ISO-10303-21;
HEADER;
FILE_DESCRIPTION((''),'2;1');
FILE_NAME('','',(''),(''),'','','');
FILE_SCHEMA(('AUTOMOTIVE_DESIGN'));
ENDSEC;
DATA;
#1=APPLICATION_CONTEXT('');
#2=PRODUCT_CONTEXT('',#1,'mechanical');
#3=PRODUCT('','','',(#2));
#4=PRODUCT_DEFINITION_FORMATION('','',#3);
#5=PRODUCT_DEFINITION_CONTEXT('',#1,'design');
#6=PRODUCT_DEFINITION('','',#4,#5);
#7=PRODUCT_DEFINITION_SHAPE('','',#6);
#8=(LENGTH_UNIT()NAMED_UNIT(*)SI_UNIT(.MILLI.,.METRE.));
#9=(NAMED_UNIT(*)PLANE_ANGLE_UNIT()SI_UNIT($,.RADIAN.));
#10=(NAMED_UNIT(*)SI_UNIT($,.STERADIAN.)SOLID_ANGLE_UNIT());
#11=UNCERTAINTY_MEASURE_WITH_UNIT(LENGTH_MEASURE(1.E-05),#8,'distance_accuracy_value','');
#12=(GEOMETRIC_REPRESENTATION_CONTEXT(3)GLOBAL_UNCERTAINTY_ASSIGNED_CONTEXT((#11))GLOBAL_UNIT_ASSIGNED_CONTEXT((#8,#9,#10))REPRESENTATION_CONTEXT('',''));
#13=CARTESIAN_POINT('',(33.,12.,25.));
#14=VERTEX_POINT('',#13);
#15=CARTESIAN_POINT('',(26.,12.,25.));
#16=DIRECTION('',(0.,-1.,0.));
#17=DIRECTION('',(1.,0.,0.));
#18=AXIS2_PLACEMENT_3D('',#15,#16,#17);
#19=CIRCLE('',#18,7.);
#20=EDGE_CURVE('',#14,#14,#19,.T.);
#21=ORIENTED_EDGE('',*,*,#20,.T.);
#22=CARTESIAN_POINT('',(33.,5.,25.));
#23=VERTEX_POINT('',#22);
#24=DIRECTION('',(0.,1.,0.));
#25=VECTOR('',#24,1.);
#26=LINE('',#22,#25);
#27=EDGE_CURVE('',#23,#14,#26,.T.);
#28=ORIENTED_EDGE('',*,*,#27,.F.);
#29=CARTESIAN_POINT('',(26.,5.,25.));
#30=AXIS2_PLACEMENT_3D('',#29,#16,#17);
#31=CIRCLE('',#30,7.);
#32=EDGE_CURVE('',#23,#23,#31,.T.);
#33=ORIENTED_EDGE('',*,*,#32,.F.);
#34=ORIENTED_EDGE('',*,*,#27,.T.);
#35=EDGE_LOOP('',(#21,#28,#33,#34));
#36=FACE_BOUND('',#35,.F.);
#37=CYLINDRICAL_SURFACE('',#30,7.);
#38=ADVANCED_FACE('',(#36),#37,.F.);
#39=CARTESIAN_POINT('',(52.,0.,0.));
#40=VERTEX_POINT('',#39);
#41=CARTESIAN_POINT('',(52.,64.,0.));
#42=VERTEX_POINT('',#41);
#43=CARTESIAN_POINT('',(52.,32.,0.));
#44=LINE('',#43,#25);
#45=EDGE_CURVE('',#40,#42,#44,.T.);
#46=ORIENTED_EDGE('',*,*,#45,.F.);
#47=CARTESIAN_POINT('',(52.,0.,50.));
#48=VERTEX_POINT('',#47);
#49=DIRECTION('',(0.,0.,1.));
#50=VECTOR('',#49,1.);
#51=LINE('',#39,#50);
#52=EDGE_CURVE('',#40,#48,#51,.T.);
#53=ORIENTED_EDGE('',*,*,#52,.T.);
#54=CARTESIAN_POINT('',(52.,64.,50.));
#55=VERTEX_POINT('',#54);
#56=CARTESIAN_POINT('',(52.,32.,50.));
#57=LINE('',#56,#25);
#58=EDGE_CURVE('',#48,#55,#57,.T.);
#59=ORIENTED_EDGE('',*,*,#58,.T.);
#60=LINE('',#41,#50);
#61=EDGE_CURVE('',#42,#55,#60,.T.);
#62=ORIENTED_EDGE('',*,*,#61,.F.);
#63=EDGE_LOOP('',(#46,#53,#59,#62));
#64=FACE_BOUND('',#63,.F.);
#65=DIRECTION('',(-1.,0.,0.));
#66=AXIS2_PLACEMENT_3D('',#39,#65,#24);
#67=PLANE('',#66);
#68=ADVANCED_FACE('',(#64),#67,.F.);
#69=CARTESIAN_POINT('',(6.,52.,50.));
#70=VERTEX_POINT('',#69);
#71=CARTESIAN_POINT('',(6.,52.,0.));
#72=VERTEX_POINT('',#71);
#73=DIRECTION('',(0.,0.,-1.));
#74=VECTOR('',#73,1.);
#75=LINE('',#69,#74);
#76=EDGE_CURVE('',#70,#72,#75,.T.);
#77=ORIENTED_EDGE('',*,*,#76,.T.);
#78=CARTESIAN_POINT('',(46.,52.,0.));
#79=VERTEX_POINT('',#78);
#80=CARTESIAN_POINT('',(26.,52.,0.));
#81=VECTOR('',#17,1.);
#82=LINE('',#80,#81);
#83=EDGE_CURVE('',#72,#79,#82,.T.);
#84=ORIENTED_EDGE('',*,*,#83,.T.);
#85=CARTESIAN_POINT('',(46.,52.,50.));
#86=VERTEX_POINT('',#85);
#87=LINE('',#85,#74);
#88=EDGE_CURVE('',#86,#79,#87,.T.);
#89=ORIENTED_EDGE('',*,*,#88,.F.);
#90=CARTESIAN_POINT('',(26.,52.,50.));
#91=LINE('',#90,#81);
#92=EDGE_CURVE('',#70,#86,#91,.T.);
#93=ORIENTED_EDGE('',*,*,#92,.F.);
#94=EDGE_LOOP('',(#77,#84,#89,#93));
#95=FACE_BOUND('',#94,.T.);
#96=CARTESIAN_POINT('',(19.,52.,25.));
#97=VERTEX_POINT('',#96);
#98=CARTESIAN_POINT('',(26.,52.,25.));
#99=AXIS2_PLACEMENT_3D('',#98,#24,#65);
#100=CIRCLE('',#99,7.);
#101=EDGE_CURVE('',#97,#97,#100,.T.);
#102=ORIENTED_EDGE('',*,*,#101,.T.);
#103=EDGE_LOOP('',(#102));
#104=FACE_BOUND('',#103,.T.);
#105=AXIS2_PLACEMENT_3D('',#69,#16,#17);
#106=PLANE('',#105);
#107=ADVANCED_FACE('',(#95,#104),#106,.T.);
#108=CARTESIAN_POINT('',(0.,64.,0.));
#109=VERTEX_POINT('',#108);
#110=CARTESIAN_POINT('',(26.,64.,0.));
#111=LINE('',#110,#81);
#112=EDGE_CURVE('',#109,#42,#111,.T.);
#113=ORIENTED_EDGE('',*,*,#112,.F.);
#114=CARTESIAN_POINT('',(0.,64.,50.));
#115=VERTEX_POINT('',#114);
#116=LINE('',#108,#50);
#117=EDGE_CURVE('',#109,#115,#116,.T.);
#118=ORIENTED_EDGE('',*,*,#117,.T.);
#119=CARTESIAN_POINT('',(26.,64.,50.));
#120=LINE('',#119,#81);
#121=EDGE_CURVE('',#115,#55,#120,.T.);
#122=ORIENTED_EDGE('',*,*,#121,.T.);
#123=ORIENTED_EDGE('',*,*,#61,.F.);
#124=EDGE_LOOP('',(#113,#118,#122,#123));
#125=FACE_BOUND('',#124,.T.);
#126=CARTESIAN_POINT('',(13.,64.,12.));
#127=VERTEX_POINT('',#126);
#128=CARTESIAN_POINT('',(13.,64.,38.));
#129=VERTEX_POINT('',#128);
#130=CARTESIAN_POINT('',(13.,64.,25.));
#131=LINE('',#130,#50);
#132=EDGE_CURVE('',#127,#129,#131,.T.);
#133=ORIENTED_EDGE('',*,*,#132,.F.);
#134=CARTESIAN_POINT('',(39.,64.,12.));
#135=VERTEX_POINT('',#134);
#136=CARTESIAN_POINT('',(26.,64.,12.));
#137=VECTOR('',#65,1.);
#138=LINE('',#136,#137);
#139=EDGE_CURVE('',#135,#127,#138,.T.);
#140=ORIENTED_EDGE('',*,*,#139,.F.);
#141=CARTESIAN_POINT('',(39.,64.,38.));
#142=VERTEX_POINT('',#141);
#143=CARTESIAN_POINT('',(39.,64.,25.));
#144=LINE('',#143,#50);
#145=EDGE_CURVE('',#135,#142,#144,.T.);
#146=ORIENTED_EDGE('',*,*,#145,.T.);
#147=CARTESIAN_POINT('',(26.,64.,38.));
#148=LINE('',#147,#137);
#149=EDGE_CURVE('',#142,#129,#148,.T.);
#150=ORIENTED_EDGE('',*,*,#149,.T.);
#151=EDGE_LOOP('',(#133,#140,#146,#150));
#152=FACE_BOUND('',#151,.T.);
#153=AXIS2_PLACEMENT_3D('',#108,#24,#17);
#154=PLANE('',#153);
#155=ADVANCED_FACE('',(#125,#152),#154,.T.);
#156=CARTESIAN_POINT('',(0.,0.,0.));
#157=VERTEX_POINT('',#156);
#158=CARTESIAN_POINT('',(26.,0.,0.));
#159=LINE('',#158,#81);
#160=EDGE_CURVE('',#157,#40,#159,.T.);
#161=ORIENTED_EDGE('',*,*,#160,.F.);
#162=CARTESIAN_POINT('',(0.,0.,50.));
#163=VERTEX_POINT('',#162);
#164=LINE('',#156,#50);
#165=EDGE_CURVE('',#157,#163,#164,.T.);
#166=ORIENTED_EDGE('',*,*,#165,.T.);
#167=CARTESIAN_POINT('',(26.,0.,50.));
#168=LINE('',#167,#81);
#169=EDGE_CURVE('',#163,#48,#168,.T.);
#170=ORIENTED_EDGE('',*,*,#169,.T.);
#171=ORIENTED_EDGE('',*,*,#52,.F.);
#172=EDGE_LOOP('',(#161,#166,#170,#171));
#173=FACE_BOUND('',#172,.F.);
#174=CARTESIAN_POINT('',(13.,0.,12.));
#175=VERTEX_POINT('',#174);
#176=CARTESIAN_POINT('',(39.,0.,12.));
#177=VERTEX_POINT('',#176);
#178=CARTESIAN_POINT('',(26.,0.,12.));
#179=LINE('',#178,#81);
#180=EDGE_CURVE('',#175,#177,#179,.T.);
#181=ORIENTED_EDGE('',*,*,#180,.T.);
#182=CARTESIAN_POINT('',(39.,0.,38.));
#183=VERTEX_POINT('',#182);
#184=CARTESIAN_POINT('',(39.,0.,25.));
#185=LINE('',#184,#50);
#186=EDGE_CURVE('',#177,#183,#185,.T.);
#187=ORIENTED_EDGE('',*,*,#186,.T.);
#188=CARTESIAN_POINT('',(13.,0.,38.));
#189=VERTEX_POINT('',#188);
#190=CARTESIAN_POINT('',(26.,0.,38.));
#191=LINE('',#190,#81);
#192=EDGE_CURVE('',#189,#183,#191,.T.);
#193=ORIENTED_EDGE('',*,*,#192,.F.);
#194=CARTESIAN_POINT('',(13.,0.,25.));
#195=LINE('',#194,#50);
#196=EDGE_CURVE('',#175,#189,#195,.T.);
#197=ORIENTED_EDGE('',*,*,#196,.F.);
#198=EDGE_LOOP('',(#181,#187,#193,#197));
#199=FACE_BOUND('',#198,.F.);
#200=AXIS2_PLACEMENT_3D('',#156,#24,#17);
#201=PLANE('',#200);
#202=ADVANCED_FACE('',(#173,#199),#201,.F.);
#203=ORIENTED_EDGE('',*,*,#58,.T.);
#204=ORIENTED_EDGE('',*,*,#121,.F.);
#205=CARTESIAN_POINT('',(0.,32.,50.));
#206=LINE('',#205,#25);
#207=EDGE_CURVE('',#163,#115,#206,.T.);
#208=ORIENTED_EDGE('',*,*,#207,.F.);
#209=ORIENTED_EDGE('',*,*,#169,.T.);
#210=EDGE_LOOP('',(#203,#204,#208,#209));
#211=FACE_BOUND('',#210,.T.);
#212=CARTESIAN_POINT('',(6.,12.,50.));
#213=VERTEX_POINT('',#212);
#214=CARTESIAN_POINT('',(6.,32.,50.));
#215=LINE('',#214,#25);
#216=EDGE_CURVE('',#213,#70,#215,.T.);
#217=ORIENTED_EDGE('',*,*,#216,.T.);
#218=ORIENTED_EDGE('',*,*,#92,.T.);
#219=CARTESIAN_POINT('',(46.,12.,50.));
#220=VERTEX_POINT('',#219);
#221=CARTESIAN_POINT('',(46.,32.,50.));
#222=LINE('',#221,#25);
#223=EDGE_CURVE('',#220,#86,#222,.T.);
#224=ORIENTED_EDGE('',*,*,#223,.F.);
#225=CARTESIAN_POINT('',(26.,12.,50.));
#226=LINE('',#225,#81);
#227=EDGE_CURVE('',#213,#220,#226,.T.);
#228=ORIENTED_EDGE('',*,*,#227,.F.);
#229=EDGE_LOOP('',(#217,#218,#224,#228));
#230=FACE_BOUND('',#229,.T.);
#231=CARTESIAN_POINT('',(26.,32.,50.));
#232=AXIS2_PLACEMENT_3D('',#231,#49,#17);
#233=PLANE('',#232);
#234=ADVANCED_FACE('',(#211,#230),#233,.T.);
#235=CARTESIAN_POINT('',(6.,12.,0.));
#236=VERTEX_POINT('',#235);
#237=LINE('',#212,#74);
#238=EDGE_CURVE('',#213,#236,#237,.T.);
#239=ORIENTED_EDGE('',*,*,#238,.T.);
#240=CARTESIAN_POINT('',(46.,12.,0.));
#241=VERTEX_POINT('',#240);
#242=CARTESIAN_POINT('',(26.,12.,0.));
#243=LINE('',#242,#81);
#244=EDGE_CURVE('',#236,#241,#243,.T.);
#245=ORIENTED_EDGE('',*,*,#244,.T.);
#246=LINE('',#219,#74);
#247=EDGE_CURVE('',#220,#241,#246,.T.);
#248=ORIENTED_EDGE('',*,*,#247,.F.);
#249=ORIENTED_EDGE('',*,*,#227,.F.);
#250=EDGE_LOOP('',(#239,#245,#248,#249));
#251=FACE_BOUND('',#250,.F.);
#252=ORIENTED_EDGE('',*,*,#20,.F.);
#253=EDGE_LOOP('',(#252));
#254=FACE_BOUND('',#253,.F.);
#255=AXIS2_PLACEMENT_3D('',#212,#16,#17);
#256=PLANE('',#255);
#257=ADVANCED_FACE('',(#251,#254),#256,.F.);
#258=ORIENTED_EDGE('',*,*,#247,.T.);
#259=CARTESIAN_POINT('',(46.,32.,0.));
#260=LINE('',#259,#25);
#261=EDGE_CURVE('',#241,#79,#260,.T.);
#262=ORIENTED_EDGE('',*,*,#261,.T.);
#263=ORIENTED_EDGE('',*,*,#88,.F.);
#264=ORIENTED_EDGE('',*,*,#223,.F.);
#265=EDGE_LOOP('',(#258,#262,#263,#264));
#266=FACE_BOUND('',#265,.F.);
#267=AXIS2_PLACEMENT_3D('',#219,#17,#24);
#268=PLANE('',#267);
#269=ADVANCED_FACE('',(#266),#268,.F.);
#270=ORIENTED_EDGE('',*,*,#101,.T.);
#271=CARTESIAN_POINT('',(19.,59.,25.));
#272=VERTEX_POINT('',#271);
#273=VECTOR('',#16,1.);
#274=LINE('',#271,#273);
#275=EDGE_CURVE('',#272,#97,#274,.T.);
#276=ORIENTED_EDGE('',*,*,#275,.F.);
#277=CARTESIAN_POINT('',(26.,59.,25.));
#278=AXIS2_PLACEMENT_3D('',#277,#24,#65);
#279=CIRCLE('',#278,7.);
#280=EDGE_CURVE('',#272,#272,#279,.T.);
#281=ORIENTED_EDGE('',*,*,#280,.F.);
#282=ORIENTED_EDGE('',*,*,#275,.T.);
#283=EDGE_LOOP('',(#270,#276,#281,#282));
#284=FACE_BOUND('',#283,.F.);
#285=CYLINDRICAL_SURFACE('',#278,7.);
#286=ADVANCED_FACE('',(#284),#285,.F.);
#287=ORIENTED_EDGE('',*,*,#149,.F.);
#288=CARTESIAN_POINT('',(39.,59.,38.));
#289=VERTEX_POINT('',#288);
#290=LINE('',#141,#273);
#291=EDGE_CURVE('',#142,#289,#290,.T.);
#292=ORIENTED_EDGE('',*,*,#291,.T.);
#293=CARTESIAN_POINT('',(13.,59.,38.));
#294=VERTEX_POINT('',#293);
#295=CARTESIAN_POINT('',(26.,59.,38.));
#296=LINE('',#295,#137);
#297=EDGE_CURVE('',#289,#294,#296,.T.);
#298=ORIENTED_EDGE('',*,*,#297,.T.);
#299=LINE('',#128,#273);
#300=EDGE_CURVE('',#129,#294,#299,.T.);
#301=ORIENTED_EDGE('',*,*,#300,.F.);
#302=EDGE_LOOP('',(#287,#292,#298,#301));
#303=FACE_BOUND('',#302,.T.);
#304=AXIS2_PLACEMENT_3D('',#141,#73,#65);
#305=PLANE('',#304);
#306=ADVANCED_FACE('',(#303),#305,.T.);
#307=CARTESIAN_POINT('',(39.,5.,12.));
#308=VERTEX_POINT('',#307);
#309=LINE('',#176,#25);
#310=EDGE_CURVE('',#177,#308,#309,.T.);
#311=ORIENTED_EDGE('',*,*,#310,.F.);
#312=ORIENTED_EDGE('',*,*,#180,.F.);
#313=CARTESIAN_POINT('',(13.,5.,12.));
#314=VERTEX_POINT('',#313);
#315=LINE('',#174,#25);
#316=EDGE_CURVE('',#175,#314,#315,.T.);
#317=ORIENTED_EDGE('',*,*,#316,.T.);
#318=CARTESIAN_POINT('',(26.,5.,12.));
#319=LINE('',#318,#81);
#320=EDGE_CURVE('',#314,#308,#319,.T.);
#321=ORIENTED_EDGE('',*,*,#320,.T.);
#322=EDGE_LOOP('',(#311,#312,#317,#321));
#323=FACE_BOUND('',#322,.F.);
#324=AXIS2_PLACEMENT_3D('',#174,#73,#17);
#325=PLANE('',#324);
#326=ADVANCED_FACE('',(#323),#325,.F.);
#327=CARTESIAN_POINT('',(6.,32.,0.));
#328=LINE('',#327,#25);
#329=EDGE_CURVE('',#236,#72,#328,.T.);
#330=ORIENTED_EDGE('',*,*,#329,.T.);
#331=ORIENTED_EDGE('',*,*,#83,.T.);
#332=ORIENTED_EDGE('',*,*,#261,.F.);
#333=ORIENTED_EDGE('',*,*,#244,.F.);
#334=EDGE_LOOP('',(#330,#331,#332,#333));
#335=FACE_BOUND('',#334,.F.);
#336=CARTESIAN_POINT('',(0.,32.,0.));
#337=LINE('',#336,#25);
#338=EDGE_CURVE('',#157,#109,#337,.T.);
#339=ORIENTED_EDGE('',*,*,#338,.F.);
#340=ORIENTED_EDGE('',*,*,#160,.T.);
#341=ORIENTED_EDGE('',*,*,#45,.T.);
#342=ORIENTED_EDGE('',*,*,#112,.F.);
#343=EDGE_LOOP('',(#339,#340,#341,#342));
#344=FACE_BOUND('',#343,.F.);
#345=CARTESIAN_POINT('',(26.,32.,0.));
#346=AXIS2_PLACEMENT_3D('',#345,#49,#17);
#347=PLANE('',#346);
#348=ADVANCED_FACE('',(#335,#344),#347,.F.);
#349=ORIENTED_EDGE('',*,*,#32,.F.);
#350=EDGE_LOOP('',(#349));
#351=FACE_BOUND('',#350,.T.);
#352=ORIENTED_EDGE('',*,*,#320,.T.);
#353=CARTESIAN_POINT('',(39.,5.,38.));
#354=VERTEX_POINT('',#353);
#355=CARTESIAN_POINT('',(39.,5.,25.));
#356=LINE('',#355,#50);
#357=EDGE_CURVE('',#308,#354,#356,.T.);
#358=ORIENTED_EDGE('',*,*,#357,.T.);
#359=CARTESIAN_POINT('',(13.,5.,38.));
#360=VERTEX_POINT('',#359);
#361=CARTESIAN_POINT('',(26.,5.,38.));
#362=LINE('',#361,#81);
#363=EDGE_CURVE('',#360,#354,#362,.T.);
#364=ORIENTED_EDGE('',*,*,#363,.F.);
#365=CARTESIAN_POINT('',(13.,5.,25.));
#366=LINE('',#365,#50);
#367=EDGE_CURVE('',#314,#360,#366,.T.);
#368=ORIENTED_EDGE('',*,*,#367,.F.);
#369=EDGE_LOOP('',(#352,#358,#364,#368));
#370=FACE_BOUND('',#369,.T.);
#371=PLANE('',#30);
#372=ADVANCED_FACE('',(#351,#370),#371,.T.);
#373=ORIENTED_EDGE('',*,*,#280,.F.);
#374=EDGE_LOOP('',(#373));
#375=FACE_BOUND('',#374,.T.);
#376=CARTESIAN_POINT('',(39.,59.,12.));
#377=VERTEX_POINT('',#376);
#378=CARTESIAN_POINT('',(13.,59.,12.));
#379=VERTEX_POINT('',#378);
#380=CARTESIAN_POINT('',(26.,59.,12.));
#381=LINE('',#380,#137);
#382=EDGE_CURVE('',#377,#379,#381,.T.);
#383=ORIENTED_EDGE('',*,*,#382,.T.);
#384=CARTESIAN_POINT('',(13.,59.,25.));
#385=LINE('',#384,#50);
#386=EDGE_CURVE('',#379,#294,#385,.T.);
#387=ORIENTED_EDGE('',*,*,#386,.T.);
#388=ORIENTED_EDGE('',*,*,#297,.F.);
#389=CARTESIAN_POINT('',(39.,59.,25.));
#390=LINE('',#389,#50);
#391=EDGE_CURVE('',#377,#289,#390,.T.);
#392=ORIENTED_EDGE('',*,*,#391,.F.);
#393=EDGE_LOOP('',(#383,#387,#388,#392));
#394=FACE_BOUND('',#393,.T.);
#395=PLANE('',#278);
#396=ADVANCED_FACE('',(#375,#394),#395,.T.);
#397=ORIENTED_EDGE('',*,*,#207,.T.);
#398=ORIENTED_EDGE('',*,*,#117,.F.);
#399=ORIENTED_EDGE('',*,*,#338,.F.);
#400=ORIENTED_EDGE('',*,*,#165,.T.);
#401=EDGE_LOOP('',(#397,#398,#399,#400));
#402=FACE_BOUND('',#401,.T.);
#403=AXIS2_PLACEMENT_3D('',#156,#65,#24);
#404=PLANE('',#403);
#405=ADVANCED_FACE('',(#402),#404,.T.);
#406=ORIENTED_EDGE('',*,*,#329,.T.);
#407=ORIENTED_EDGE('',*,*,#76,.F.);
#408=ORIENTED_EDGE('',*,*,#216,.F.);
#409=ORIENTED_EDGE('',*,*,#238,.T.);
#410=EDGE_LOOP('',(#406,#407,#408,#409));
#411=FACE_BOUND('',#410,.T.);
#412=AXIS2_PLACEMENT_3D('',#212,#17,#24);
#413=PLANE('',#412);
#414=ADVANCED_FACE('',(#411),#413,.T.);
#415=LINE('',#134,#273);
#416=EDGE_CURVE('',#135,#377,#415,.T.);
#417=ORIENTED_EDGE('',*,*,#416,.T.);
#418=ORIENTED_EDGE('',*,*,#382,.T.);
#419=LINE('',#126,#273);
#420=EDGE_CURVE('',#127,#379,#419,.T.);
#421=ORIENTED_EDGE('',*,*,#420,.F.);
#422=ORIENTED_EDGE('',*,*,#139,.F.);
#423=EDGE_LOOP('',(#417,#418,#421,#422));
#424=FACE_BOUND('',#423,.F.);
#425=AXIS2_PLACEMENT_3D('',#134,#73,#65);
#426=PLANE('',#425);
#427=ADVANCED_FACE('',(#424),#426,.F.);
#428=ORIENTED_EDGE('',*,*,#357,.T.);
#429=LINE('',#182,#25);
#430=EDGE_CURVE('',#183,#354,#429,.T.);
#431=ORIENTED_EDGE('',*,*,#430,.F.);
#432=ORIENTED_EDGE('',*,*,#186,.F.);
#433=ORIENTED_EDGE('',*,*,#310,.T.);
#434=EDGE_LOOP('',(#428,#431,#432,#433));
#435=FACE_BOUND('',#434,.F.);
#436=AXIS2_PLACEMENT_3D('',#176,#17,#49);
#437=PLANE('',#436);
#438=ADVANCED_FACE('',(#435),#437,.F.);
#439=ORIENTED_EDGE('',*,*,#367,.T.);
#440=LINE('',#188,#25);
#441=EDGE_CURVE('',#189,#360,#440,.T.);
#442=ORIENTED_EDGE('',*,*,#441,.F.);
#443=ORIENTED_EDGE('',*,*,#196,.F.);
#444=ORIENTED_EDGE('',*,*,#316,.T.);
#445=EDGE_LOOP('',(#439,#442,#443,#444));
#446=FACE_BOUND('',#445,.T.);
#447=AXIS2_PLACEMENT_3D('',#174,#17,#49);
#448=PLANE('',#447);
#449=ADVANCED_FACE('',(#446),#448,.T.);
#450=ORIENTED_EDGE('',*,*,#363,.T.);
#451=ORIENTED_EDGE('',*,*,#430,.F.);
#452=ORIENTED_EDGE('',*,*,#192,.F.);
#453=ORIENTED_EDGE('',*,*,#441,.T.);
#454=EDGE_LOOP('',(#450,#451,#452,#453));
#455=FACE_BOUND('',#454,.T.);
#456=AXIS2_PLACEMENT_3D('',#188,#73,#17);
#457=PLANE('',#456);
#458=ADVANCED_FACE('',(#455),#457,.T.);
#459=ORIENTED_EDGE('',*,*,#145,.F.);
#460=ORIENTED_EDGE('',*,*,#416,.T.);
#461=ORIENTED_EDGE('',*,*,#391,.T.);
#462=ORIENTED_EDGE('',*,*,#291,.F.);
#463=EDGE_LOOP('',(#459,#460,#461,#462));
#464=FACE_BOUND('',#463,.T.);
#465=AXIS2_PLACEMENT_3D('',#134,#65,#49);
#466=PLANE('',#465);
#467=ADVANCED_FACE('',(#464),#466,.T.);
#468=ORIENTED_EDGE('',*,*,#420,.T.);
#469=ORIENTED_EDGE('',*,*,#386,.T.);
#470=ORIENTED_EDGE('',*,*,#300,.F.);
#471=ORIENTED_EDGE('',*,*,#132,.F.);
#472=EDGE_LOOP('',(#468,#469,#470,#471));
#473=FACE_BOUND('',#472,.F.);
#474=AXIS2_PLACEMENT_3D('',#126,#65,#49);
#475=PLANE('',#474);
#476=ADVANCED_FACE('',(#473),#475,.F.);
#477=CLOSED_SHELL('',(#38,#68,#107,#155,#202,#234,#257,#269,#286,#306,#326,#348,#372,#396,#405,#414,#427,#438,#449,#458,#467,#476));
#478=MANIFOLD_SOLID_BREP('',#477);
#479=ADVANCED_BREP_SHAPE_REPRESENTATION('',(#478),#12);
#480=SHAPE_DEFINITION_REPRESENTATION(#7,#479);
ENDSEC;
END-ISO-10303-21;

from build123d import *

# Parameters (mm, degrees)
F0_W      = 52
F0_H      = 64
F1_DEPTH  = 50
F2_W      = 40
F2_H      = 40
F3_DEPTH  = 50
F4_W      = 26
F4_H      = 26
F5_DEPTH  = 5
F6_R      = 7
F7_DEPTH  = 40
F8_W      = 26
F8_H      = 26
F9_DEPTH  = 5
F10_R     = 7
F11_DEPTH = 25


with BuildPart() as f1:
    # F0 (on Top) → F1 (new body)
    with BuildSketch(Plane.XY):
        with Locations((26, 32)):
            Rectangle(F0_W, F0_H)
    extrude(amount=F1_DEPTH)

    # F2 (on face) → F3 (cut)
    with BuildSketch(Plane.XY.offset(50)):
        with Locations((26, 32)):
            Rectangle(F2_W, F2_H)
    extrude(amount=-F3_DEPTH, mode=Mode.SUBTRACT)

    # F4 (on face) → F5 (cut)
    with BuildSketch(Plane.XZ):
        with Locations((26, 25)):
            Rectangle(F4_W, F4_H)
    extrude(amount=-F5_DEPTH, mode=Mode.SUBTRACT)

    # F6 (on face) → F7 (cut)
    with BuildSketch(Plane.XZ.offset(-5)):
        with Locations((26, 25)):
            Circle(F6_R)
    extrude(amount=-F7_DEPTH, mode=Mode.SUBTRACT)

    # F8 (on face) → F9 (cut)
    with BuildSketch(Plane(origin=(0, 64, 0), x_dir=(-1, 0, 0), z_dir=(0, 1, 0))):
        with Locations((-26, 25)):
            Rectangle(F8_W, F8_H)
    extrude(amount=-F9_DEPTH, mode=Mode.SUBTRACT)

    # F10 (on face) → F11 (cut)
    with BuildSketch(Plane(origin=(0, 59, 0), x_dir=(-1, 0, 0), z_dir=(0, 1, 0))):
        with Locations((-26, 25)):
            Circle(F10_R)
    extrude(amount=-F11_DEPTH, mode=Mode.SUBTRACT)


solid = f1.part
